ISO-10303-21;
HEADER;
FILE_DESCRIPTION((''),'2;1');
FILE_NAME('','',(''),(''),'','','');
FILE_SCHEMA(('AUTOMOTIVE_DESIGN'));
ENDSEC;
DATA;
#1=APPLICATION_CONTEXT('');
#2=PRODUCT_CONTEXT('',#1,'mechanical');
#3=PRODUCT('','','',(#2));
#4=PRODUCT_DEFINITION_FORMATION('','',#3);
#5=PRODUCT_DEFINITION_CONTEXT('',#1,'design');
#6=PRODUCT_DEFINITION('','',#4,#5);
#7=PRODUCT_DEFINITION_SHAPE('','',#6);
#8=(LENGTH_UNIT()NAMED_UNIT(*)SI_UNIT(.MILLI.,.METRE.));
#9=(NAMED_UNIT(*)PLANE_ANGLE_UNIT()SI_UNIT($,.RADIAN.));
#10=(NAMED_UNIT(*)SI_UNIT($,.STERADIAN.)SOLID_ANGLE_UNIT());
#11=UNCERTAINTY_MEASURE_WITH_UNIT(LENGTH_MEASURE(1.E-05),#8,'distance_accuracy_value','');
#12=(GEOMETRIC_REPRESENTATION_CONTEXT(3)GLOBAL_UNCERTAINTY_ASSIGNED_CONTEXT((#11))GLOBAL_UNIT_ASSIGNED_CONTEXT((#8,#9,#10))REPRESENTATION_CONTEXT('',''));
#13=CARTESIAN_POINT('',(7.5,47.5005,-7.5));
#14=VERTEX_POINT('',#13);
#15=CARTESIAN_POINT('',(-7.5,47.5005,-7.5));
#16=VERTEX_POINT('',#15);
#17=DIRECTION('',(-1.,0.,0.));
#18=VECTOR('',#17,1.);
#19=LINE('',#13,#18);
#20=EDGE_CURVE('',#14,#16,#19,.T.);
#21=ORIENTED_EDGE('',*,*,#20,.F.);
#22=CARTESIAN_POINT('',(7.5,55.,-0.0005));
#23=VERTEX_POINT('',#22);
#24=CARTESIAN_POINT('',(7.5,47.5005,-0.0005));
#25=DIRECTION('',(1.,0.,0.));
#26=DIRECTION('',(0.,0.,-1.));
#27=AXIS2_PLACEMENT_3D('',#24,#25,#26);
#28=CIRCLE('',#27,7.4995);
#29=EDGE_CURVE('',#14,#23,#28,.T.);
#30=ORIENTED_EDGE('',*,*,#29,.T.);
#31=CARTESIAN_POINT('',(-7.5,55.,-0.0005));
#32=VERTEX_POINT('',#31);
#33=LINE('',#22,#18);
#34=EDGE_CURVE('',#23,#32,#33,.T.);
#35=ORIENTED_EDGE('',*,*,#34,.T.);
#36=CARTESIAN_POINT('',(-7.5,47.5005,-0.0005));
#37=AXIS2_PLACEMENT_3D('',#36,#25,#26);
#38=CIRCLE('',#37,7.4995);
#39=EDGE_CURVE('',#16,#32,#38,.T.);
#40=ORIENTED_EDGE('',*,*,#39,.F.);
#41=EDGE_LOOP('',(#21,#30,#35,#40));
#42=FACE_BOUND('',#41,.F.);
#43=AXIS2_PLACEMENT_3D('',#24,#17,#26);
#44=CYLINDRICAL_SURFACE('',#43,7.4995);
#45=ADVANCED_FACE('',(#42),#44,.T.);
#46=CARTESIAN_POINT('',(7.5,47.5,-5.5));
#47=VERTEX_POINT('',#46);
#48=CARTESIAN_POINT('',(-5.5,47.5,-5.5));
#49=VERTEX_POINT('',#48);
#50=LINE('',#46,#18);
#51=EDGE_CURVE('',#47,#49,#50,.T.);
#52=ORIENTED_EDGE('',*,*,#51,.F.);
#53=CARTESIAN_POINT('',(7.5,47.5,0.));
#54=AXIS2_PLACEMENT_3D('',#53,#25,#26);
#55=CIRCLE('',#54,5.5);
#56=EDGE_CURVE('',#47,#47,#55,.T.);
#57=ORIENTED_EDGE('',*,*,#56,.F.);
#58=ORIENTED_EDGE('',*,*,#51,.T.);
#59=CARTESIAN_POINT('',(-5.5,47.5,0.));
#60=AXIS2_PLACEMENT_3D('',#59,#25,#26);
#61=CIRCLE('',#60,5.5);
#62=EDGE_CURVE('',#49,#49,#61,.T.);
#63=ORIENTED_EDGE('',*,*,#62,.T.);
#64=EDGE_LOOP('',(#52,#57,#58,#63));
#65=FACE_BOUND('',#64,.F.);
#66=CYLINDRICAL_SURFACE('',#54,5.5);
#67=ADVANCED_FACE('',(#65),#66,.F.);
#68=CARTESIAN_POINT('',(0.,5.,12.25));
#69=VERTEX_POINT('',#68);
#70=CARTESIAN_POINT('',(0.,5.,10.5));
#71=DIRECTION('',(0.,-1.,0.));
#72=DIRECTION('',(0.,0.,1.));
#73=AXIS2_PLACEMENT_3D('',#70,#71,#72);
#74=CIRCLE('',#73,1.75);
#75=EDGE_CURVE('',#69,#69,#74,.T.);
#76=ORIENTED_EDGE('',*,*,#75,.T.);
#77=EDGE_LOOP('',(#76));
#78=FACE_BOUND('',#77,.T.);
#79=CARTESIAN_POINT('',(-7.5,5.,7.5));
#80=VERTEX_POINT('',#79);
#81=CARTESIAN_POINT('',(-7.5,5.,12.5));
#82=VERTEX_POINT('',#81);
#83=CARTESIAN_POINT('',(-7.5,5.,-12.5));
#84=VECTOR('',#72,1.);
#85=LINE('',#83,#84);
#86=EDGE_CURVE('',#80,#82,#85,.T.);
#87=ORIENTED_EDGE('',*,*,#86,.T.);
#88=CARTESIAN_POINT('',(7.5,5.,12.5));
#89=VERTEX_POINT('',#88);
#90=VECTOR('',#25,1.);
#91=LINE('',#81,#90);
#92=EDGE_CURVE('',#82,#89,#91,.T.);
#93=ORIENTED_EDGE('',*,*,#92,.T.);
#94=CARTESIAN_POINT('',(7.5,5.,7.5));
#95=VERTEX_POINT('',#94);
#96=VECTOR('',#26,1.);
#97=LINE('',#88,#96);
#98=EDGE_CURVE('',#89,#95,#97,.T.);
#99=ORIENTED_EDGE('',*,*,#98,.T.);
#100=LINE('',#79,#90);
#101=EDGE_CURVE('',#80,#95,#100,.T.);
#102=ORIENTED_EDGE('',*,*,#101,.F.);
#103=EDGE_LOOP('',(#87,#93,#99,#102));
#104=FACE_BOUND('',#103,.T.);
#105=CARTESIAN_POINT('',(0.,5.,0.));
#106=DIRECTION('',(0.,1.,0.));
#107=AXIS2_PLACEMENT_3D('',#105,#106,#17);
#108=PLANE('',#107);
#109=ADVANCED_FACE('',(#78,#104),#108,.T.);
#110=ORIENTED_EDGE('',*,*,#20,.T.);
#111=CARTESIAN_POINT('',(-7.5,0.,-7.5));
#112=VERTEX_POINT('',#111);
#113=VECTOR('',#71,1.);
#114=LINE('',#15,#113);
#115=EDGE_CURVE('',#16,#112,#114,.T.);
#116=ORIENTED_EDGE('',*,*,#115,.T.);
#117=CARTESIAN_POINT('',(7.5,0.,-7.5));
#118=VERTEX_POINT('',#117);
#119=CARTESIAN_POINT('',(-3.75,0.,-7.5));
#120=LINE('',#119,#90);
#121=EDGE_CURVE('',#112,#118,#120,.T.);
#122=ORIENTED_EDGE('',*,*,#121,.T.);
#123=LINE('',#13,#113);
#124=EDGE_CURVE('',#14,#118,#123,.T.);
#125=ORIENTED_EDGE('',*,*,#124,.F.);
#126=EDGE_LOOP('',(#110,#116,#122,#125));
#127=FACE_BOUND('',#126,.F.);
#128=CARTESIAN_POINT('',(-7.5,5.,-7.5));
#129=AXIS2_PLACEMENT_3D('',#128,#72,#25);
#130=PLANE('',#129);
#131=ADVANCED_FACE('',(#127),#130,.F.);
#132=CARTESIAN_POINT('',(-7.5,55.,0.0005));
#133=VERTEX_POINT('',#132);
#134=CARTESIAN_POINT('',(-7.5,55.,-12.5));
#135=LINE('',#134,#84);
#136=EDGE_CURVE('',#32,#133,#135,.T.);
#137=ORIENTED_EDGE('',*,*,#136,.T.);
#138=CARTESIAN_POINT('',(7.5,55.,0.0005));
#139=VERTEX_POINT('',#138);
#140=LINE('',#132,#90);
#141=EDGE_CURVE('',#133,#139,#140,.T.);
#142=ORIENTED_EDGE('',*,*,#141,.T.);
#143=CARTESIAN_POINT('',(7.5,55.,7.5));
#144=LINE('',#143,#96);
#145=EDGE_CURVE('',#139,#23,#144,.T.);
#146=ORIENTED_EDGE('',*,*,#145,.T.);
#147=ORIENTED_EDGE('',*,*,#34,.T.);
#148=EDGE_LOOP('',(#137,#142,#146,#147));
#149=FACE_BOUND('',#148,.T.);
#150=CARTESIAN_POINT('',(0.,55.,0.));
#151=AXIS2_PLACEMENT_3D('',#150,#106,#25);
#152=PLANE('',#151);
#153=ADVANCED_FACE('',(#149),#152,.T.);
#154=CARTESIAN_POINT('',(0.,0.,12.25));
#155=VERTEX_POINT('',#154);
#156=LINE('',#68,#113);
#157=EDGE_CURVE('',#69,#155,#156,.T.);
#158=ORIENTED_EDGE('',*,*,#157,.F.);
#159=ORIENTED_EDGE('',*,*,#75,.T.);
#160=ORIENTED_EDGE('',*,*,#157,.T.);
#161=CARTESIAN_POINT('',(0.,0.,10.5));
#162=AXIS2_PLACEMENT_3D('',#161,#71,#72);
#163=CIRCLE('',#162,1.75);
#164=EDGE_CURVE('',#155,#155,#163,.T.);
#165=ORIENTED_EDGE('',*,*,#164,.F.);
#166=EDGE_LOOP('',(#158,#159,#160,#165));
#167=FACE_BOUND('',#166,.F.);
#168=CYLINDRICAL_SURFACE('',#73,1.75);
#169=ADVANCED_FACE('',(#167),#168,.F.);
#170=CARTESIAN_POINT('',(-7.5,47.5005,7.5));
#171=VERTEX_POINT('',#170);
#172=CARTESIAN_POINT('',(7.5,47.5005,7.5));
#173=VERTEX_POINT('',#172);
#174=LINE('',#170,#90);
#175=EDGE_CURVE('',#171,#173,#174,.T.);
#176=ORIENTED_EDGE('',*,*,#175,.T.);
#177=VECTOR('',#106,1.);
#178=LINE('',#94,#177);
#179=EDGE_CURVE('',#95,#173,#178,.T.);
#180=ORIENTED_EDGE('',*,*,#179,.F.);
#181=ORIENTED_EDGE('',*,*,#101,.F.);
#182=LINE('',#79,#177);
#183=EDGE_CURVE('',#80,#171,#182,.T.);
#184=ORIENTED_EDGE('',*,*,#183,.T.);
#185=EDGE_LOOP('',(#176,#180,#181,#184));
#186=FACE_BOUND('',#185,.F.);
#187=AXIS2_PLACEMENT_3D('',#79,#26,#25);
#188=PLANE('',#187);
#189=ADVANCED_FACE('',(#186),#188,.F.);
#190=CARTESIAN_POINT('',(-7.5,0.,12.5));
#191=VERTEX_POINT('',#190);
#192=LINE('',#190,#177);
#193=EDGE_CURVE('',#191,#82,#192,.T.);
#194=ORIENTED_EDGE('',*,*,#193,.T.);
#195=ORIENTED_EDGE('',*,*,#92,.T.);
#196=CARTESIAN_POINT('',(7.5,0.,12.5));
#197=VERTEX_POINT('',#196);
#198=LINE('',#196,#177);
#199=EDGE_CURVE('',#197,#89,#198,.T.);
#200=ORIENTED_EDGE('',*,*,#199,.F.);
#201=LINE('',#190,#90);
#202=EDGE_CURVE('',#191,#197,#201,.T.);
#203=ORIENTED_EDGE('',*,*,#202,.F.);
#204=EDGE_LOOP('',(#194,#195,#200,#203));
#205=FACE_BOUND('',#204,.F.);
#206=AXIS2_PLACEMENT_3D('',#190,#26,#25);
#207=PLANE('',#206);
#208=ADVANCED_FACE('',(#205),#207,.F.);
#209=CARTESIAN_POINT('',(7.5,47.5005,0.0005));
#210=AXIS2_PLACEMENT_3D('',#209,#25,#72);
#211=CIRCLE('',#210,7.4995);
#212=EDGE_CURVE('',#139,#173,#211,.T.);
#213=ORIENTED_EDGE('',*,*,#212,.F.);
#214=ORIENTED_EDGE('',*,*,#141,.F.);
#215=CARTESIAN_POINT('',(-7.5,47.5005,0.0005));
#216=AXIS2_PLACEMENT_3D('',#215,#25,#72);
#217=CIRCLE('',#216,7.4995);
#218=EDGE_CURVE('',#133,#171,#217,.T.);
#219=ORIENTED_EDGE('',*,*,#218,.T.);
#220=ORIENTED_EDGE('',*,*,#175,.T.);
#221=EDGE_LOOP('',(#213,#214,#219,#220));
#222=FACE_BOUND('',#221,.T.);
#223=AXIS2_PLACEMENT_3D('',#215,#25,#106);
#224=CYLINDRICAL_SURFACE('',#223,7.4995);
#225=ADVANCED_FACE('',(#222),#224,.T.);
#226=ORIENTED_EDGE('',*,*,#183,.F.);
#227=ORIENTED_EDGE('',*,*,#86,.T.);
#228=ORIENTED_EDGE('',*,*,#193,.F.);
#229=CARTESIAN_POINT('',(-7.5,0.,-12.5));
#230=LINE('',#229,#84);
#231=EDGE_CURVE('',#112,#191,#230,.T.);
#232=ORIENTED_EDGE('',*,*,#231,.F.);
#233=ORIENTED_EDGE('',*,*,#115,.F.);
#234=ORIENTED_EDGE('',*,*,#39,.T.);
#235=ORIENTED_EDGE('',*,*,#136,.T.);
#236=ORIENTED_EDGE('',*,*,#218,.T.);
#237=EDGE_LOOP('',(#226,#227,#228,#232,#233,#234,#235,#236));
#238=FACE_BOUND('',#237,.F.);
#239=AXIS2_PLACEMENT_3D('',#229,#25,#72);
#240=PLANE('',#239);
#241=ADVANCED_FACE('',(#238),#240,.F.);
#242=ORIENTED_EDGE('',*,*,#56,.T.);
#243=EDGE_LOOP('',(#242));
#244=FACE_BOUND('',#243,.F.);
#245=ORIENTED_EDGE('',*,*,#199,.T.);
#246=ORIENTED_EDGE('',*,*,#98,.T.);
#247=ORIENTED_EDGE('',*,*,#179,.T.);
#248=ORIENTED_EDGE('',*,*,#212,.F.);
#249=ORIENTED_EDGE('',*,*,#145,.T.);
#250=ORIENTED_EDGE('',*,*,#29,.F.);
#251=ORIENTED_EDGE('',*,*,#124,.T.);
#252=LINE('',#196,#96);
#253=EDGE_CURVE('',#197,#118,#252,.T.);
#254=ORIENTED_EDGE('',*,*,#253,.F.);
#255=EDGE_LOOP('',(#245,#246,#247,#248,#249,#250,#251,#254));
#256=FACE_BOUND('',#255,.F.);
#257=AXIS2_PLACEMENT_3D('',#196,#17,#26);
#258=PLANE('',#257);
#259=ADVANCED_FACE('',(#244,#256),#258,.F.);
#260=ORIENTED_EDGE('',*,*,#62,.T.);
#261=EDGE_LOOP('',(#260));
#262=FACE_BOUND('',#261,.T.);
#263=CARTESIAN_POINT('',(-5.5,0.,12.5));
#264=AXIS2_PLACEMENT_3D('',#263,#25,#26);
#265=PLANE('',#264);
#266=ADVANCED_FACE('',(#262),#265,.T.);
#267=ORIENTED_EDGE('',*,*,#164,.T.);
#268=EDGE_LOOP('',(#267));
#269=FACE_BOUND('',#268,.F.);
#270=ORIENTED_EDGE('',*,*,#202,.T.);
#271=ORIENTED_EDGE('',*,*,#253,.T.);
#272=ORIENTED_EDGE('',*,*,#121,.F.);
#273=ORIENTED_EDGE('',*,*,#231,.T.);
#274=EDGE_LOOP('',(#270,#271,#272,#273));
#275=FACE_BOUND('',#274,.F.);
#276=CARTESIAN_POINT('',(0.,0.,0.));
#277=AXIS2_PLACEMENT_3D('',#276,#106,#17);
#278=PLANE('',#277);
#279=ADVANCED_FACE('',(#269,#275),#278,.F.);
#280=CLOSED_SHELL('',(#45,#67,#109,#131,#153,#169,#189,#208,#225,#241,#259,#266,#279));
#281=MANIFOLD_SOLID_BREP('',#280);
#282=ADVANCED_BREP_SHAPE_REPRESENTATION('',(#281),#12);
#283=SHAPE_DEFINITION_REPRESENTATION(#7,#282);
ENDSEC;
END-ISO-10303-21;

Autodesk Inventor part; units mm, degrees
ref_plane "YZ Plane" through (0, 0, 0) normal (1, 0, 0) x (0, 1, 0)
ref_plane "XZ Plane" through (0, 0, 0) normal (0, 1, 0) x (-1, 0, 0)
ref_plane "XY Plane" through (0, 0, 0) normal (0, 0, 1) x (1, 0, 0)
sketch "Sketch1" plane through (0, 0, 0) normal (0, 1, 0) x (-1, 0, 0)
  line L0 (7.5, 12.5) -> (-7.5, 12.5)
  line L1 (-7.5, 12.5) -> (-7.5, -12.5)
  line L2 (-7.5, -12.5) -> (7.5, -12.5)
  line L3 (7.5, -12.5) -> (7.5, 12.5)
  line L4 (7.5, 12.5) -> (-7.5, -12.5) construction
  line L5 (-7.5, 12.5) -> (7.5, -12.5) construction
  point P0 (0, 0)
  dimension "d0" = 15
  dimension "d1" = 25
extrude "Extrusion1" add sketch "Sketch1" along normal blind 5
sketch "Sketch2" plane through (0, 5, 0) normal (0, 1, 0) x (1, 0, 0)
  line L0 (-7.5, -12.5) -> (7.5, -12.5) projected
  line L1 (-7.5, 12.5) -> (-7.5, -12.5) projected
  line L2 (7.5, 7.5) -> (-7.5, 7.5)
  line L3 (-7.5, 7.5) -> (-7.5, -7.5)
  line L4 (-7.5, -7.5) -> (7.5, -7.5)
  line L5 (7.5, -7.5) -> (7.5, 7.5)
  line L6 (7.5, 7.5) -> (-7.5, -7.5) construction
  line L7 (-7.5, 7.5) -> (7.5, -7.5) construction
  point P0 (0, 0)
  dimension "d5" = 15
extrude "Extrusion2" add sketch "Sketch2" along normal blind 50
sketch "Sketch3" plane through (7.5, 0, 12.5) normal (1, 0, 0) x (0, 0, -1)
  circle A0 centre (12.5, 47.5) radius 5.5
  point P0 (12.5, 0)
  point P1 (14.5, 47.5)
  dimension "d9" = 11
extrude "Extrusion3" cut sketch "Sketch3" against normal blind 13
fillet "Fillet1" radius 7.5 2 edges at (0, 55, -7.5) (0, 55, 7.5)
sketch "Sketch5" plane through (0, 5, 0) normal (0, 1, 0) x (1, 0, 0)
  line L0 (7.5, -7.5) -> (-7.5, -7.5) projected
  line L1 (-7.5, -12.5) -> (7.5, -12.5) projected
  line L2 (-7.5, 7.5) -> (7.5, 7.5) projected
  line L3 (7.5, 12.5) -> (-7.5, 12.5) projected
  point P0 (0, 0)
  point P1 (0, -10.5)
  point P2 (0, 10.5)
hole "Hole2" at (0, 5, 10.5) at (0, 5, -10.5) direction (0, -1, 0) diameter 3.5 end through all
sketch "Sketch6" plane through (0, 5, 0) normal (0, 1, 0) x (1, 0, 0)
  point P0 (0, 0)
sketch "Sketch8" plane through (0, 5, 0) normal (0, 1, 0) x (1, 0, 0)
  line L0 (-7.5, 12.5) -> (-7.5, 7.5) projected
  line L1 (7.5, 12.5) -> (-7.5, 12.5) projected
  line L2 (-7.5, 7.5) -> (7.5, 7.5)
  line L3 (7.5, 7.5) -> (7.5, 12.5)
  line L4 (7.5, 12.5) -> (-7.5, 12.5)
  line L5 (-7.5, 12.5) -> (-7.5, 7.5)
  point P0 (0, 0)
extrude "Extrusion5" cut sketch "Sketch8" against normal through all
properties part number "Holder_slim_1_fod_venstre"
